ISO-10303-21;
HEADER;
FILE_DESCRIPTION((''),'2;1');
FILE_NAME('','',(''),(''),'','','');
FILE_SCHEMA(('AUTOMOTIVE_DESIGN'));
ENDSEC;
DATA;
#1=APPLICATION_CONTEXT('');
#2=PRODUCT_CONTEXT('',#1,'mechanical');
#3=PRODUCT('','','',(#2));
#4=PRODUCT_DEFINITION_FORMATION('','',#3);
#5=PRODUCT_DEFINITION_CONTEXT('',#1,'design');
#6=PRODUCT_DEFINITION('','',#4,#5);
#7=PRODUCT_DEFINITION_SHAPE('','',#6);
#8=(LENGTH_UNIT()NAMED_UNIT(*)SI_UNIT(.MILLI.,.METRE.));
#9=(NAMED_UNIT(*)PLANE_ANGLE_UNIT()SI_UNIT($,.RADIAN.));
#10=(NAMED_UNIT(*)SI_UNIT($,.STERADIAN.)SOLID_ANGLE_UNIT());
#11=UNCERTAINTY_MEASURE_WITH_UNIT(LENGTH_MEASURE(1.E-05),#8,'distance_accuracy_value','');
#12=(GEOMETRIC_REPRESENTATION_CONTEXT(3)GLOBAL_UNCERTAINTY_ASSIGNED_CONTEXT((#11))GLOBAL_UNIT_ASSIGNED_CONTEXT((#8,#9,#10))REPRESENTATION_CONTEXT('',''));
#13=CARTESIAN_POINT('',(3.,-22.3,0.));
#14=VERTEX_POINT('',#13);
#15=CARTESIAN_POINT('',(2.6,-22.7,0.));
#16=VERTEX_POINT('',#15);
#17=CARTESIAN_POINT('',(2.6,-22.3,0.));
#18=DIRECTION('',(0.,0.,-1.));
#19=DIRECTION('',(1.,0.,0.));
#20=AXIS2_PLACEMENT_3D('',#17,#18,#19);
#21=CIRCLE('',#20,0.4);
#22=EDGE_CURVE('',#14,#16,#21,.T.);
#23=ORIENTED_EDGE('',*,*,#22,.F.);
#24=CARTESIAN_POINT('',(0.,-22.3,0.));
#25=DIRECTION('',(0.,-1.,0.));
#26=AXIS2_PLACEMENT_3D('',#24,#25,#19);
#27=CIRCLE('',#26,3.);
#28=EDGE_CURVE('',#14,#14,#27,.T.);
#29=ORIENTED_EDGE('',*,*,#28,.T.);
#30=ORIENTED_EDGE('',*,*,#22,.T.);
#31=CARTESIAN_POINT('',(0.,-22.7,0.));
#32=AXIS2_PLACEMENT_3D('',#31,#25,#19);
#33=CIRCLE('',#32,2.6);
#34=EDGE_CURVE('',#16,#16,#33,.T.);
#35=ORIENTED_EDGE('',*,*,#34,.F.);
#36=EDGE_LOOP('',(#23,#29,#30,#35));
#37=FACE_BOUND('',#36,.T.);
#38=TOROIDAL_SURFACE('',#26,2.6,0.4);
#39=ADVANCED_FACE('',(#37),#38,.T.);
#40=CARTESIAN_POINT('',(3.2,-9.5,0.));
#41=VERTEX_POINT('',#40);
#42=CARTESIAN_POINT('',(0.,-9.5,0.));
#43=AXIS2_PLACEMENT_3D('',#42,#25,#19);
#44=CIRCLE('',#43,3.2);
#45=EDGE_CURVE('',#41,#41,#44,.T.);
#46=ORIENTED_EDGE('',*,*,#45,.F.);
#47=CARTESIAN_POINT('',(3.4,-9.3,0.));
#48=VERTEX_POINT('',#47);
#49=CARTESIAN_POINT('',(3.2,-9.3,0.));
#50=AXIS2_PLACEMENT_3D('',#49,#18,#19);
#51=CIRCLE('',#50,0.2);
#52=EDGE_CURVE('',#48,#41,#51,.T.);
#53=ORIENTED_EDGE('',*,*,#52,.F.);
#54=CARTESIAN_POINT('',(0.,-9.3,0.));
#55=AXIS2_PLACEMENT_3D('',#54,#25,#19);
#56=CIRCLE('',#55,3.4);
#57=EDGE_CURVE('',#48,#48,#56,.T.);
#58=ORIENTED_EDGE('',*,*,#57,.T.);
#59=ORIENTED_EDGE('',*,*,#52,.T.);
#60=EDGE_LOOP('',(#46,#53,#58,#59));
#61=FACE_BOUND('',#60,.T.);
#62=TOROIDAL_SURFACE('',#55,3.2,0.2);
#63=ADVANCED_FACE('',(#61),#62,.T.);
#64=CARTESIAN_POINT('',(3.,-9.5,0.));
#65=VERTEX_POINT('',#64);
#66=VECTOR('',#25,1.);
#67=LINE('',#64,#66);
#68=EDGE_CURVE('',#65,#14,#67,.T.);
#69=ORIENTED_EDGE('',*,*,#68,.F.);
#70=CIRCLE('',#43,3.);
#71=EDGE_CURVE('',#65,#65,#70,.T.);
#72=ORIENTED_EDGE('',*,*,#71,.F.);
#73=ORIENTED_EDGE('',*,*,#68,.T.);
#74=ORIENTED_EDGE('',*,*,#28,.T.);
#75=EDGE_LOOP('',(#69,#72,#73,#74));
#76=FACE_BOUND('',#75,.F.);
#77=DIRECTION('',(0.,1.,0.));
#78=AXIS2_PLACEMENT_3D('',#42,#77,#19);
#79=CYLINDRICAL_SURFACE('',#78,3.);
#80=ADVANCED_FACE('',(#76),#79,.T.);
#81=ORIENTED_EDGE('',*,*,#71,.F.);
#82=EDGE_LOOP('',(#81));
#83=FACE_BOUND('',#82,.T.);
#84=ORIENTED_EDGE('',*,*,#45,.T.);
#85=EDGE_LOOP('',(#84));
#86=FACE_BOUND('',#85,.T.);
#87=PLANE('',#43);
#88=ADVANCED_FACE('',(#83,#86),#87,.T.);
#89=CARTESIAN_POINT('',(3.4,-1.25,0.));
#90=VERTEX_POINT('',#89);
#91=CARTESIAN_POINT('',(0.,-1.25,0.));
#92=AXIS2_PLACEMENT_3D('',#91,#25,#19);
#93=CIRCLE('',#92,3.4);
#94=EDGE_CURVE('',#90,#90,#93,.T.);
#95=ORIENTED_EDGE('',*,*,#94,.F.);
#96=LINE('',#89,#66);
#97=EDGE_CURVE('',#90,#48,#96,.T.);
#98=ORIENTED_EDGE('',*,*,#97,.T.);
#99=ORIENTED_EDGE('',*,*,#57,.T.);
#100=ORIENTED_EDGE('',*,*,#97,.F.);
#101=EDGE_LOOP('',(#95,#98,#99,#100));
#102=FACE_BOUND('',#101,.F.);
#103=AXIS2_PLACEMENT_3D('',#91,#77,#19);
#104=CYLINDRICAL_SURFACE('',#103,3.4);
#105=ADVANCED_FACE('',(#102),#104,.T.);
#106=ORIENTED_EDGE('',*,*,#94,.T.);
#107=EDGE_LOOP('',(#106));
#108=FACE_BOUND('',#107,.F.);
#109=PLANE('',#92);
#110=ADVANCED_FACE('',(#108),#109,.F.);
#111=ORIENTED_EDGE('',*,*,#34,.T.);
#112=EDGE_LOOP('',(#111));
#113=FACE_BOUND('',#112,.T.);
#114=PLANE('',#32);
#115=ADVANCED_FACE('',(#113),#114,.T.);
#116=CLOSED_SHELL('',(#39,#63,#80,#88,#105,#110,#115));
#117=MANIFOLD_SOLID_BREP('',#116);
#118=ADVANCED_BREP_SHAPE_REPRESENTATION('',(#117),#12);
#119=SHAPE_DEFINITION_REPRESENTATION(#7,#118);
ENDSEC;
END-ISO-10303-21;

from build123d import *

# Parameters (mm, degrees)
SKETCH011_R  = 3.4
PAD009_DEPTH = 8.25
FILLET004_R  = 0.2
SKETCH012_R  = 3
PAD010_DEPTH = 13.2
FILLET005_R  = 0.4


with BuildPart() as part:
    # Sketch011 → Pad009 (new body)
    with BuildSketch(Plane.XZ):
        Circle(SKETCH011_R)
    extrude(amount=PAD009_DEPTH)

    # Fillet004
    fillet004_edges = [part.edges().sort_by_distance(p)[0] for p in [
        (-3.4, -8.25, 0),
    ]]
    fillet(fillet004_edges, radius=FILLET004_R)

    # Sketch012 (on Face4 of Fillet004) → Pad010 (join)
    with BuildSketch(Plane.XZ.offset(8.25)):
        Circle(SKETCH012_R)
    extrude(amount=PAD010_DEPTH)

    # Fillet005
    fillet005_edges = [part.edges().sort_by_distance(p)[0] for p in [
        (-3, -21.45, 0),
    ]]
    fillet(fillet005_edges, radius=FILLET005_R)


with BuildPart() as part_1:
    # Body019 placement: moved
    add(part.part.moved(Location((0, -1.25, 0))))


solid = part_1.part
